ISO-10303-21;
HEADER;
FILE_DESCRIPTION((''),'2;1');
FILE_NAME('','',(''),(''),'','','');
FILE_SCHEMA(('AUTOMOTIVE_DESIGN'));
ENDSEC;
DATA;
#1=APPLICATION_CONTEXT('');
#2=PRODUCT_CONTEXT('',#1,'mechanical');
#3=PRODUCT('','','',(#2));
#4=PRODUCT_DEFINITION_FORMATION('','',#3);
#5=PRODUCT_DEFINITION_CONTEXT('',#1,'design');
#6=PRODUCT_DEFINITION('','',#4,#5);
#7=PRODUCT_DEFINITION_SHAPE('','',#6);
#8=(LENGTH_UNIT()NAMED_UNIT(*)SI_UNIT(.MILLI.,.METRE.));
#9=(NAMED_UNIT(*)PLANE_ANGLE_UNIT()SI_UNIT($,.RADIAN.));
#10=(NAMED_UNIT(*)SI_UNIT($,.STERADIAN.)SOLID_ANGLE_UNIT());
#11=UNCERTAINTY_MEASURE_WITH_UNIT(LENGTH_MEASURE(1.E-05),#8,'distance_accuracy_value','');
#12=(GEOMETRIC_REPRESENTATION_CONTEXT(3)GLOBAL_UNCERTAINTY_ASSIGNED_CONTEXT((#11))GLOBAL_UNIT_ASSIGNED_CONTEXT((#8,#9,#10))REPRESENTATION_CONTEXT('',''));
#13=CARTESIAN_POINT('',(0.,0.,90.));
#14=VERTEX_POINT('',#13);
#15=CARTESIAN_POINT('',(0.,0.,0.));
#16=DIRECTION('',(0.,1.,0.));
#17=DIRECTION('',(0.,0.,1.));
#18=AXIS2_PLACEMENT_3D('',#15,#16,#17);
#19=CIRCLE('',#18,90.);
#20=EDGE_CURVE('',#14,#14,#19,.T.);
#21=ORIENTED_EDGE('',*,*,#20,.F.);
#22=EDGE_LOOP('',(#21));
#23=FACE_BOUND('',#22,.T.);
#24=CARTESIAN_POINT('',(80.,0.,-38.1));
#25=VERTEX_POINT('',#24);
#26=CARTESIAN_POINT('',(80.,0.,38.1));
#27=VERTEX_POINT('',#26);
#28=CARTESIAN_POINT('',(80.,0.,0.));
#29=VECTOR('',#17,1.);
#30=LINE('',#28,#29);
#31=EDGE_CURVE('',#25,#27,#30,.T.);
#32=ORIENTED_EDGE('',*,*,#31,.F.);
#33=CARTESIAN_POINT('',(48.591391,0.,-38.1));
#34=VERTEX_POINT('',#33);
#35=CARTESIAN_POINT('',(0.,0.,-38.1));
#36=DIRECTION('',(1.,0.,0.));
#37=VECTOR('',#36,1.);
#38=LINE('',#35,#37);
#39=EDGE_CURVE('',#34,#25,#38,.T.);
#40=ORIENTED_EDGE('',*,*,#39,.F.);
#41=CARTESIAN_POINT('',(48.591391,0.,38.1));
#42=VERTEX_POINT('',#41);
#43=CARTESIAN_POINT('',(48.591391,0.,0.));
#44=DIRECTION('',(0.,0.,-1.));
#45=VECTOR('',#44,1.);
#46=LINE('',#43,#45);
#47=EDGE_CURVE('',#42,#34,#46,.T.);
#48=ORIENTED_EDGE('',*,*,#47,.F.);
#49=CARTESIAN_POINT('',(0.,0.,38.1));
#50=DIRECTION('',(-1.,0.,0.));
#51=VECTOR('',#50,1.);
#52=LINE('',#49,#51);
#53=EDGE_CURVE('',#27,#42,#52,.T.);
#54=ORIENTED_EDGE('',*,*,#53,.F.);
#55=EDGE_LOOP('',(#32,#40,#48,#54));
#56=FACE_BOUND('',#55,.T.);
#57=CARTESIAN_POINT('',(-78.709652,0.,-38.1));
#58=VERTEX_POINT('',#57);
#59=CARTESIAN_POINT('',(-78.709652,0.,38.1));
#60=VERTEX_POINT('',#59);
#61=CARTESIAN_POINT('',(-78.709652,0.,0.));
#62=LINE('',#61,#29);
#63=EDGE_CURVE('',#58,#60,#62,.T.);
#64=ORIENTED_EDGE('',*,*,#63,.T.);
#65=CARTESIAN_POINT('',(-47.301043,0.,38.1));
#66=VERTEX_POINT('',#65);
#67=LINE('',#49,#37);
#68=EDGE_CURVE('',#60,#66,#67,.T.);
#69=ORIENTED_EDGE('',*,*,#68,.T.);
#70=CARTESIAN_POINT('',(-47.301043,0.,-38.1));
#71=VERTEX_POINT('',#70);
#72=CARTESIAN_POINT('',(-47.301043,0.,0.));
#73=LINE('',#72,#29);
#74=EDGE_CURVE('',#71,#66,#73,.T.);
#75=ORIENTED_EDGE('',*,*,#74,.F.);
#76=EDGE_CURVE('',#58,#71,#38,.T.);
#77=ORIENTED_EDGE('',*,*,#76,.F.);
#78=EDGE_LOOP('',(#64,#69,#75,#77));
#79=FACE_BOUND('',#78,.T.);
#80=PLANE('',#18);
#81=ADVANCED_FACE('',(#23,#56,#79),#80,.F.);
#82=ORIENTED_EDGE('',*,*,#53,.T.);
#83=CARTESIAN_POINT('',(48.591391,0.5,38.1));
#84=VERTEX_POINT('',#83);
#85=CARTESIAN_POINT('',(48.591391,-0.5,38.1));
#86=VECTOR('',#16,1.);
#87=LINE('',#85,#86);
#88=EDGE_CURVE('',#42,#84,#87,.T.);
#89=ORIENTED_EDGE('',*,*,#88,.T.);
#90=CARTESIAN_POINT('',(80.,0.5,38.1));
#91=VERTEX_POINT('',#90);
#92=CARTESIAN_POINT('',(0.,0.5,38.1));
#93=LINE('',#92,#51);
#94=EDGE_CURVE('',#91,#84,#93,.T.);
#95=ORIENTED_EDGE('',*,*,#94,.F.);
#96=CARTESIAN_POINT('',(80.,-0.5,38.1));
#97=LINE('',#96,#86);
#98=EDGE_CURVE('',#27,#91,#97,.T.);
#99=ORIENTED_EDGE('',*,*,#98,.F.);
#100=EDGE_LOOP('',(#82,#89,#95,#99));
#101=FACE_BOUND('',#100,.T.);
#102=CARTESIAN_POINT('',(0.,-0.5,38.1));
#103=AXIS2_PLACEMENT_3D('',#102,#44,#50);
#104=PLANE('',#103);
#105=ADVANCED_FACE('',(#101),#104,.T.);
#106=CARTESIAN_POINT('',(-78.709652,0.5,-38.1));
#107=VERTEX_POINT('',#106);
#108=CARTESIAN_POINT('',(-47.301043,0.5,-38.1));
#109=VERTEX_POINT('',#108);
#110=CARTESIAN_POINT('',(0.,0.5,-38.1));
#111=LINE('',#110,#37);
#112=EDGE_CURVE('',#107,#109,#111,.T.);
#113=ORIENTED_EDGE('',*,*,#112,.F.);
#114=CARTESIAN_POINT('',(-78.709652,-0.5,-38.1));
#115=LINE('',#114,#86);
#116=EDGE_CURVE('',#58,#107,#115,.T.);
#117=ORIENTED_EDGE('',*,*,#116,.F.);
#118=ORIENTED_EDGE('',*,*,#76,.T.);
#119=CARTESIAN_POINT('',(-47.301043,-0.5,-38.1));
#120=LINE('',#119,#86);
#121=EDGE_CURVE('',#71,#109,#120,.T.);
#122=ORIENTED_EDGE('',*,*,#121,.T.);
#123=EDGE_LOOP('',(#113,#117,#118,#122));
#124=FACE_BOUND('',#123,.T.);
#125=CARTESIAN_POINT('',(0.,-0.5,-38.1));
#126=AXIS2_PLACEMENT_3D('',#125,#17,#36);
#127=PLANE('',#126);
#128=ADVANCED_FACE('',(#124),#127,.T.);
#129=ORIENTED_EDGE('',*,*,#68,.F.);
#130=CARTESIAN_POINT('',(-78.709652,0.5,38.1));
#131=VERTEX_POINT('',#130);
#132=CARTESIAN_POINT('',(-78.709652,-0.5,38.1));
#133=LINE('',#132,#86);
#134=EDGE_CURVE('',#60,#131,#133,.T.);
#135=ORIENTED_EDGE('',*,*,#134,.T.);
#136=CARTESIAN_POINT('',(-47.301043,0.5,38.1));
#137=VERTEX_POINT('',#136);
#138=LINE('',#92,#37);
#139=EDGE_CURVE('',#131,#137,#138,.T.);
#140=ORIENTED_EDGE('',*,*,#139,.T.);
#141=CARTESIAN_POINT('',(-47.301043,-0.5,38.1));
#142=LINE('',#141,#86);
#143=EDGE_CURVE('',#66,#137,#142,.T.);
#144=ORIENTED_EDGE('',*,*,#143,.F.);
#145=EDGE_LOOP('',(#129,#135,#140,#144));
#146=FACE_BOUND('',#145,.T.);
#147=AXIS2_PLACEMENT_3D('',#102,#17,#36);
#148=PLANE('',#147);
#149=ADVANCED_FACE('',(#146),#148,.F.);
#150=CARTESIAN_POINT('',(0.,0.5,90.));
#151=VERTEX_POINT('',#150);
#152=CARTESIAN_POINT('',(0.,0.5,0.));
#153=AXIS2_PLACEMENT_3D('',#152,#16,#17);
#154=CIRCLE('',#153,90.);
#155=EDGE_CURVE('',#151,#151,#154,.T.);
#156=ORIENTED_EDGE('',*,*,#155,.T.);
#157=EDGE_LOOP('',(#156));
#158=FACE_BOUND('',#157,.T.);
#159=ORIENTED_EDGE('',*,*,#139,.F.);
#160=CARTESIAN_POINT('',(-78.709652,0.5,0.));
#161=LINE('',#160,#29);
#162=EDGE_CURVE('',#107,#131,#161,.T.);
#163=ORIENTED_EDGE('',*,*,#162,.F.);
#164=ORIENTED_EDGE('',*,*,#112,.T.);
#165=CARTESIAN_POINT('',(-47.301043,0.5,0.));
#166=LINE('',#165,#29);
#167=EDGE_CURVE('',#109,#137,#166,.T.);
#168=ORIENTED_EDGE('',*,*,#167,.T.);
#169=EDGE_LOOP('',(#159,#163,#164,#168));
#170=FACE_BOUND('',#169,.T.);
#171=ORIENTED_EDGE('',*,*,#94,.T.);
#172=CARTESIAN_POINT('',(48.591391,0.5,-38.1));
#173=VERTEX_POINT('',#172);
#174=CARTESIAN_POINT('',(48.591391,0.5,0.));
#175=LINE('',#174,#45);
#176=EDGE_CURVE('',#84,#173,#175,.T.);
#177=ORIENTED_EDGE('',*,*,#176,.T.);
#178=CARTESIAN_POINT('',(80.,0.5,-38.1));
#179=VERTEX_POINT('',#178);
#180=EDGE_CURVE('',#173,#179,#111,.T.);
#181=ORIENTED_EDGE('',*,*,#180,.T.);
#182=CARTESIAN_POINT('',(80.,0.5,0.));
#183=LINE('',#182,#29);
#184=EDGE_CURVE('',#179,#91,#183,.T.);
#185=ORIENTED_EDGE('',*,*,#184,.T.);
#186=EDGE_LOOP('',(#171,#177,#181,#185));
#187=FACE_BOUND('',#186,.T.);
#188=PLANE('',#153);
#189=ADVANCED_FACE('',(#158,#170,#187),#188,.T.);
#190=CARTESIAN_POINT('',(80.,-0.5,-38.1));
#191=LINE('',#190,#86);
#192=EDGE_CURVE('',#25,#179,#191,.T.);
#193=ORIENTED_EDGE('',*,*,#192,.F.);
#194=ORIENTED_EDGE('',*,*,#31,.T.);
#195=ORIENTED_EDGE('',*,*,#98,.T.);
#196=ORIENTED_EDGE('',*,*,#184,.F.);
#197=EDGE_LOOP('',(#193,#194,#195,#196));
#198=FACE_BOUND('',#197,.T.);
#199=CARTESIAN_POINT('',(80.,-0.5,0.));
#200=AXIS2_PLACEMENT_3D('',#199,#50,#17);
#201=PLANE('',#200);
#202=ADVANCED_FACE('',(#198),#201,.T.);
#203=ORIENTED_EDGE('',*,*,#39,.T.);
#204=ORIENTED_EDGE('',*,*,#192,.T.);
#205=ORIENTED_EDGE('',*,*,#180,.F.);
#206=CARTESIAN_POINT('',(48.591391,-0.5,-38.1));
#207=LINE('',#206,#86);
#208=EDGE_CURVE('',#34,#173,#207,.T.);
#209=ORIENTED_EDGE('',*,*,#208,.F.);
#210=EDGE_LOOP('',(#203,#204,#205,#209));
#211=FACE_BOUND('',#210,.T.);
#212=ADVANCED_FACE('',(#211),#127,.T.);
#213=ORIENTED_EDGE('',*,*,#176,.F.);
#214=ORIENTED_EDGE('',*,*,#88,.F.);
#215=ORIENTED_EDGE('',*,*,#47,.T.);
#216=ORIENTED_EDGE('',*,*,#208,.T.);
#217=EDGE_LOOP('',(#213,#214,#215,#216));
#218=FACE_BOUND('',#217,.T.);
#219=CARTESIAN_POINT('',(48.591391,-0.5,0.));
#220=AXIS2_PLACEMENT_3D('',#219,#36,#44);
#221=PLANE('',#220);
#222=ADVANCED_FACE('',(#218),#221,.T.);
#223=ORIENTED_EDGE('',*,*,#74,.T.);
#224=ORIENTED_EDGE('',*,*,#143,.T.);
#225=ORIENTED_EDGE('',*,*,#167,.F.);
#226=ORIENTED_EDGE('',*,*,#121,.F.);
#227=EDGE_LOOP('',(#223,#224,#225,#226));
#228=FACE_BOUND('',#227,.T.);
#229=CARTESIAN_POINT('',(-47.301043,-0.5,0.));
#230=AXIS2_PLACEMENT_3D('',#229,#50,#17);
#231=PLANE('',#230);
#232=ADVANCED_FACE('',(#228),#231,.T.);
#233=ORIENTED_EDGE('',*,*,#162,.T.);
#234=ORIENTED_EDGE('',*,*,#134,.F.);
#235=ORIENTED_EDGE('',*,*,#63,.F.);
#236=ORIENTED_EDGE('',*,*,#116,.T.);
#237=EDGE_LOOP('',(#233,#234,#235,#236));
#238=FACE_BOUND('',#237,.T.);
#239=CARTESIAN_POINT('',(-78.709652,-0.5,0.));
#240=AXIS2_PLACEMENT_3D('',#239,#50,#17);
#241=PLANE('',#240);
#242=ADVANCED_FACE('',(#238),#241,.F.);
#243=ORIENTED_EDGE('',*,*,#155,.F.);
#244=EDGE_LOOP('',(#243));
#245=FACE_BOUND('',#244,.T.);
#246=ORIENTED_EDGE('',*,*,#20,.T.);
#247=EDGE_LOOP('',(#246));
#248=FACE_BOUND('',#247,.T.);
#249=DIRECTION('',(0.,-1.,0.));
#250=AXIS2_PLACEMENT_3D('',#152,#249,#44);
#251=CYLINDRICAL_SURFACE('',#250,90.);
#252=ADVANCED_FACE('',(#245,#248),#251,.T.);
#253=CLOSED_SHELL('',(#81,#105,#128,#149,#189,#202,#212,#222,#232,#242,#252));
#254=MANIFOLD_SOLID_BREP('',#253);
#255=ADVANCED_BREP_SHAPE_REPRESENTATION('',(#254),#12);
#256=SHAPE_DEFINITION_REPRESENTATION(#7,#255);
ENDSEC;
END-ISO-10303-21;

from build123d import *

# Parameters (mm, degrees)
SKETCH1_R           = 90
BOSS_EXTRUDE1_DEPTH = 0.5
SKETCH3_W           = 31.4086089
SKETCH3_H           = 76.2
CUT_EXTRUDE2_DEPTH  = 1


with BuildPart() as part:
    # Sketch1 → Boss-Extrude1 (new body)
    with BuildSketch(Plane(origin=(0, 0, 0), x_dir=(1, 0, 0), z_dir=(0, 1, 0))):
        Circle(SKETCH1_R)
    extrude(amount=BOSS_EXTRUDE1_DEPTH)

    # Sketch3 → Cut-Extrude2 (cut)
    with BuildSketch(Plane(origin=(0, 0.5, 0), x_dir=(1, 0, 0), z_dir=(0, 1, 0))):
        with Locations((64.29569555, 0)):
            Rectangle(SKETCH3_W, SKETCH3_H)
        with Locations((-63.00534762, 0)):
            Rectangle(SKETCH3_W, SKETCH3_H)
    extrude(amount=-CUT_EXTRUDE2_DEPTH, mode=Mode.SUBTRACT)


solid = part.part
